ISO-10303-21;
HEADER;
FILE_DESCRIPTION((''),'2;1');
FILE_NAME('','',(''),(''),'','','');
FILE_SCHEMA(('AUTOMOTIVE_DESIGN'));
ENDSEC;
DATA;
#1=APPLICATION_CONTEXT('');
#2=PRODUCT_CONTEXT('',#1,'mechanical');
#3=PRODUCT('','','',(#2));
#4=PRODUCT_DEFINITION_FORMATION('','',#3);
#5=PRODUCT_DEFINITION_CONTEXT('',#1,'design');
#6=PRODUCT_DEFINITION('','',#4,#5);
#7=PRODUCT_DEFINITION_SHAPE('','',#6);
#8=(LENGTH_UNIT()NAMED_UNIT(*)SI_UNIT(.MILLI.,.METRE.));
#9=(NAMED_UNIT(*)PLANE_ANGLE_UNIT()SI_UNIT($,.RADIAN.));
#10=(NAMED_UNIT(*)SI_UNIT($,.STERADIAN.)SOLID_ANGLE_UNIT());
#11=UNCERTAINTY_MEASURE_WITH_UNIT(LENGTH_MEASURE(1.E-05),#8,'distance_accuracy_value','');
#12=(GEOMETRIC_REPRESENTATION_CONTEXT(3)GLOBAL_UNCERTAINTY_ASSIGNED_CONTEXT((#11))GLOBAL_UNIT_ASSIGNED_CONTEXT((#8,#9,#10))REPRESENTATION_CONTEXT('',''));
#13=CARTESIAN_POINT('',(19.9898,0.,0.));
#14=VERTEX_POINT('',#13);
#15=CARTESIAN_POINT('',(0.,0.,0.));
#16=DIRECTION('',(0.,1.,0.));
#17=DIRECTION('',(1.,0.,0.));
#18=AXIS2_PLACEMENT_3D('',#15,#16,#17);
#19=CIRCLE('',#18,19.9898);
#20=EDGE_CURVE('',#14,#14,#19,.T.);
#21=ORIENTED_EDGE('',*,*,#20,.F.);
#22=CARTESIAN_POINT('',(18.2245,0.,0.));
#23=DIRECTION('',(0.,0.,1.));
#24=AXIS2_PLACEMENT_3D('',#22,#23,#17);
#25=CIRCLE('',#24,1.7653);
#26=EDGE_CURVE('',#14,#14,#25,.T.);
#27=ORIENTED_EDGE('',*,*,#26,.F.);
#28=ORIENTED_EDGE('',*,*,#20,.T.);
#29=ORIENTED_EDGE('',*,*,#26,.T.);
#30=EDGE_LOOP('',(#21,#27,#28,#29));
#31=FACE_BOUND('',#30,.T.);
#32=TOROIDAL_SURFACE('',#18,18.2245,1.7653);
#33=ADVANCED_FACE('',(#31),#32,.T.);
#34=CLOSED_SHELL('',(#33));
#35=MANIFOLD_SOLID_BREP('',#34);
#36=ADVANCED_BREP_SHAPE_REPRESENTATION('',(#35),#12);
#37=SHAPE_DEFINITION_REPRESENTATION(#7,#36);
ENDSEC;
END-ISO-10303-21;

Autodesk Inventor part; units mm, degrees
ref_plane "YZ Plane" through (0, 0, 0) normal (1, 0, 0) x (0, 1, 0)
ref_plane "XZ Plane" through (0, 0, 0) normal (0, 1, 0) x (-1, 0, 0)
ref_plane "XY Plane" through (0, 0, 0) normal (0, 0, 1) x (1, 0, 0)
sketch "Sketch1" plane through (0, 0, 0) normal (0, 0, 1) x (1, 0, 0)
  circle A0 centre (18.2245, 0) radius 1.7653
  line L0 (0, 0) -> (0, 8.4357)
  dimension "d0" = 3.5306
  dimension "d1" = 18.2245
revolve "Revolution1" add sketch "Sketch1" angle 360 about axis through (0, 0, 0) along (0, 1, 0)
properties part number "ORingA50_1.296ID_1.574OD" material "Rubber, Silicone"
